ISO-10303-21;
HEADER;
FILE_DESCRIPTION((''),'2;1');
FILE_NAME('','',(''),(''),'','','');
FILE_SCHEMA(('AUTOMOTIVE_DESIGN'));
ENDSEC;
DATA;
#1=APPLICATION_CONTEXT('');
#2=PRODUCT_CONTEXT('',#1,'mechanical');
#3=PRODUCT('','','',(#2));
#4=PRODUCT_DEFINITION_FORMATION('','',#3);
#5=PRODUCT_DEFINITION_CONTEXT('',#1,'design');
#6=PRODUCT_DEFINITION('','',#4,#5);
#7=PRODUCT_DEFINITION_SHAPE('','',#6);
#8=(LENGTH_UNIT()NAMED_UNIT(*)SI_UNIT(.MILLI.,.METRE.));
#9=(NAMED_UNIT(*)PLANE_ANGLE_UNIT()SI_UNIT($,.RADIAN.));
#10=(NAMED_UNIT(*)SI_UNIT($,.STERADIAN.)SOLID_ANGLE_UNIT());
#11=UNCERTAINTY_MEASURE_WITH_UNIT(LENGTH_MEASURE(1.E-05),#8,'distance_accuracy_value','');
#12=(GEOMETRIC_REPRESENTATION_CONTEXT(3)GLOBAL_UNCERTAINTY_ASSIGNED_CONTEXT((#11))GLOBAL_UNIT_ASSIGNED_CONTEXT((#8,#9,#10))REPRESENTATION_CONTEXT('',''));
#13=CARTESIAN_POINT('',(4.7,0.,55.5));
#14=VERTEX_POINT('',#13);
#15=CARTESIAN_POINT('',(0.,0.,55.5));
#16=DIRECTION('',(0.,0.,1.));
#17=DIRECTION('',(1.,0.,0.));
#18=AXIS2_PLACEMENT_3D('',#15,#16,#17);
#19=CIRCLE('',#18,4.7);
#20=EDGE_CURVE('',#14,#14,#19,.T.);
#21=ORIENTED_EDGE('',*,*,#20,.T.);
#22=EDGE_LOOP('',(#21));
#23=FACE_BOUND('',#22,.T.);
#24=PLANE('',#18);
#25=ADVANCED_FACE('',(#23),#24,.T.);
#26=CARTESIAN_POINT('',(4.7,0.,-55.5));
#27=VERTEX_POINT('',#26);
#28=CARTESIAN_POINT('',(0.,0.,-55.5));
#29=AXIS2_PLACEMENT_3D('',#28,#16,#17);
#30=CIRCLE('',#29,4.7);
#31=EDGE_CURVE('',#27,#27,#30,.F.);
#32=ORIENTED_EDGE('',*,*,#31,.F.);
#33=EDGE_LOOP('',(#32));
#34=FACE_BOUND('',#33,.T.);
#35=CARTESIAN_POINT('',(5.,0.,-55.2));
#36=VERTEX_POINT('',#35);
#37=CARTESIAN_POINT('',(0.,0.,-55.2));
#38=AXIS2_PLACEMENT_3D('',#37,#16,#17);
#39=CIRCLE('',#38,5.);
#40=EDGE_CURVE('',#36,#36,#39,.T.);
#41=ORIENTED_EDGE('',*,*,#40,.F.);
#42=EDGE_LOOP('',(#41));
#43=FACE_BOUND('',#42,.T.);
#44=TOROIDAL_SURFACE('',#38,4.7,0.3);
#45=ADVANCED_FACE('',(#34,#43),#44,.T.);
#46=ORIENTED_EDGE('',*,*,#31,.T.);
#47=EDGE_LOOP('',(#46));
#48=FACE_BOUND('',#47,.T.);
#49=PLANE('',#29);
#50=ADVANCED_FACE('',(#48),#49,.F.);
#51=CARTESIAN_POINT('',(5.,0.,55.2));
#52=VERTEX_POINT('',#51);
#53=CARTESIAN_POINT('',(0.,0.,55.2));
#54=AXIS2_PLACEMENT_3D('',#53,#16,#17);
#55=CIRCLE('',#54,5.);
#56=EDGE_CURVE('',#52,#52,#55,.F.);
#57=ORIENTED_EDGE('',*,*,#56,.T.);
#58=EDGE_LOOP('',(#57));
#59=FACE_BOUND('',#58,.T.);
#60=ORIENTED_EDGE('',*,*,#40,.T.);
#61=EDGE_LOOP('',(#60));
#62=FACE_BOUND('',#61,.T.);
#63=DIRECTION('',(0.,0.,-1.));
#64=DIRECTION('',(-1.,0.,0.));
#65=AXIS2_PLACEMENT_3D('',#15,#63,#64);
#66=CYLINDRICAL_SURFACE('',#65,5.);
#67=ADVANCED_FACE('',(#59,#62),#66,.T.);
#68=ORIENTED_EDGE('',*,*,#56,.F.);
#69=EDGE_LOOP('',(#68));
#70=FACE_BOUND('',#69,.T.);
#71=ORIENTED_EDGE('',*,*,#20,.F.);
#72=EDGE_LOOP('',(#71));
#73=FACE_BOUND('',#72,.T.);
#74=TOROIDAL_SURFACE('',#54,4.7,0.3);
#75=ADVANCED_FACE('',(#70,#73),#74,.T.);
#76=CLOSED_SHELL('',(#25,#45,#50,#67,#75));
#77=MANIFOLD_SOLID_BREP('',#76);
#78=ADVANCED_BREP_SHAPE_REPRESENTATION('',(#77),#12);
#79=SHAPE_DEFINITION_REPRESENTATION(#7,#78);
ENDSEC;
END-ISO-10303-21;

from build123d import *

# Parameters (mm, degrees)
SKETCH1_R           = 5
BOSS_EXTRUDE1_DEPTH = 55.5
FILLET1_R           = 0.3


with BuildPart() as part:
    # Sketch1 → Boss-Extrude1 (new body, symmetric)
    with BuildSketch(Plane.XY):
        Circle(SKETCH1_R)
    extrude(amount=BOSS_EXTRUDE1_DEPTH, both=True)

    # Fillet1
    fillet1_edges = [part.edges().sort_by_distance(p)[0] for p in [
        (-5, 0, -55.5),
        (-5, 0, 55.5),
    ]]
    fillet(fillet1_edges, radius=FILLET1_R)


solid = part.part
